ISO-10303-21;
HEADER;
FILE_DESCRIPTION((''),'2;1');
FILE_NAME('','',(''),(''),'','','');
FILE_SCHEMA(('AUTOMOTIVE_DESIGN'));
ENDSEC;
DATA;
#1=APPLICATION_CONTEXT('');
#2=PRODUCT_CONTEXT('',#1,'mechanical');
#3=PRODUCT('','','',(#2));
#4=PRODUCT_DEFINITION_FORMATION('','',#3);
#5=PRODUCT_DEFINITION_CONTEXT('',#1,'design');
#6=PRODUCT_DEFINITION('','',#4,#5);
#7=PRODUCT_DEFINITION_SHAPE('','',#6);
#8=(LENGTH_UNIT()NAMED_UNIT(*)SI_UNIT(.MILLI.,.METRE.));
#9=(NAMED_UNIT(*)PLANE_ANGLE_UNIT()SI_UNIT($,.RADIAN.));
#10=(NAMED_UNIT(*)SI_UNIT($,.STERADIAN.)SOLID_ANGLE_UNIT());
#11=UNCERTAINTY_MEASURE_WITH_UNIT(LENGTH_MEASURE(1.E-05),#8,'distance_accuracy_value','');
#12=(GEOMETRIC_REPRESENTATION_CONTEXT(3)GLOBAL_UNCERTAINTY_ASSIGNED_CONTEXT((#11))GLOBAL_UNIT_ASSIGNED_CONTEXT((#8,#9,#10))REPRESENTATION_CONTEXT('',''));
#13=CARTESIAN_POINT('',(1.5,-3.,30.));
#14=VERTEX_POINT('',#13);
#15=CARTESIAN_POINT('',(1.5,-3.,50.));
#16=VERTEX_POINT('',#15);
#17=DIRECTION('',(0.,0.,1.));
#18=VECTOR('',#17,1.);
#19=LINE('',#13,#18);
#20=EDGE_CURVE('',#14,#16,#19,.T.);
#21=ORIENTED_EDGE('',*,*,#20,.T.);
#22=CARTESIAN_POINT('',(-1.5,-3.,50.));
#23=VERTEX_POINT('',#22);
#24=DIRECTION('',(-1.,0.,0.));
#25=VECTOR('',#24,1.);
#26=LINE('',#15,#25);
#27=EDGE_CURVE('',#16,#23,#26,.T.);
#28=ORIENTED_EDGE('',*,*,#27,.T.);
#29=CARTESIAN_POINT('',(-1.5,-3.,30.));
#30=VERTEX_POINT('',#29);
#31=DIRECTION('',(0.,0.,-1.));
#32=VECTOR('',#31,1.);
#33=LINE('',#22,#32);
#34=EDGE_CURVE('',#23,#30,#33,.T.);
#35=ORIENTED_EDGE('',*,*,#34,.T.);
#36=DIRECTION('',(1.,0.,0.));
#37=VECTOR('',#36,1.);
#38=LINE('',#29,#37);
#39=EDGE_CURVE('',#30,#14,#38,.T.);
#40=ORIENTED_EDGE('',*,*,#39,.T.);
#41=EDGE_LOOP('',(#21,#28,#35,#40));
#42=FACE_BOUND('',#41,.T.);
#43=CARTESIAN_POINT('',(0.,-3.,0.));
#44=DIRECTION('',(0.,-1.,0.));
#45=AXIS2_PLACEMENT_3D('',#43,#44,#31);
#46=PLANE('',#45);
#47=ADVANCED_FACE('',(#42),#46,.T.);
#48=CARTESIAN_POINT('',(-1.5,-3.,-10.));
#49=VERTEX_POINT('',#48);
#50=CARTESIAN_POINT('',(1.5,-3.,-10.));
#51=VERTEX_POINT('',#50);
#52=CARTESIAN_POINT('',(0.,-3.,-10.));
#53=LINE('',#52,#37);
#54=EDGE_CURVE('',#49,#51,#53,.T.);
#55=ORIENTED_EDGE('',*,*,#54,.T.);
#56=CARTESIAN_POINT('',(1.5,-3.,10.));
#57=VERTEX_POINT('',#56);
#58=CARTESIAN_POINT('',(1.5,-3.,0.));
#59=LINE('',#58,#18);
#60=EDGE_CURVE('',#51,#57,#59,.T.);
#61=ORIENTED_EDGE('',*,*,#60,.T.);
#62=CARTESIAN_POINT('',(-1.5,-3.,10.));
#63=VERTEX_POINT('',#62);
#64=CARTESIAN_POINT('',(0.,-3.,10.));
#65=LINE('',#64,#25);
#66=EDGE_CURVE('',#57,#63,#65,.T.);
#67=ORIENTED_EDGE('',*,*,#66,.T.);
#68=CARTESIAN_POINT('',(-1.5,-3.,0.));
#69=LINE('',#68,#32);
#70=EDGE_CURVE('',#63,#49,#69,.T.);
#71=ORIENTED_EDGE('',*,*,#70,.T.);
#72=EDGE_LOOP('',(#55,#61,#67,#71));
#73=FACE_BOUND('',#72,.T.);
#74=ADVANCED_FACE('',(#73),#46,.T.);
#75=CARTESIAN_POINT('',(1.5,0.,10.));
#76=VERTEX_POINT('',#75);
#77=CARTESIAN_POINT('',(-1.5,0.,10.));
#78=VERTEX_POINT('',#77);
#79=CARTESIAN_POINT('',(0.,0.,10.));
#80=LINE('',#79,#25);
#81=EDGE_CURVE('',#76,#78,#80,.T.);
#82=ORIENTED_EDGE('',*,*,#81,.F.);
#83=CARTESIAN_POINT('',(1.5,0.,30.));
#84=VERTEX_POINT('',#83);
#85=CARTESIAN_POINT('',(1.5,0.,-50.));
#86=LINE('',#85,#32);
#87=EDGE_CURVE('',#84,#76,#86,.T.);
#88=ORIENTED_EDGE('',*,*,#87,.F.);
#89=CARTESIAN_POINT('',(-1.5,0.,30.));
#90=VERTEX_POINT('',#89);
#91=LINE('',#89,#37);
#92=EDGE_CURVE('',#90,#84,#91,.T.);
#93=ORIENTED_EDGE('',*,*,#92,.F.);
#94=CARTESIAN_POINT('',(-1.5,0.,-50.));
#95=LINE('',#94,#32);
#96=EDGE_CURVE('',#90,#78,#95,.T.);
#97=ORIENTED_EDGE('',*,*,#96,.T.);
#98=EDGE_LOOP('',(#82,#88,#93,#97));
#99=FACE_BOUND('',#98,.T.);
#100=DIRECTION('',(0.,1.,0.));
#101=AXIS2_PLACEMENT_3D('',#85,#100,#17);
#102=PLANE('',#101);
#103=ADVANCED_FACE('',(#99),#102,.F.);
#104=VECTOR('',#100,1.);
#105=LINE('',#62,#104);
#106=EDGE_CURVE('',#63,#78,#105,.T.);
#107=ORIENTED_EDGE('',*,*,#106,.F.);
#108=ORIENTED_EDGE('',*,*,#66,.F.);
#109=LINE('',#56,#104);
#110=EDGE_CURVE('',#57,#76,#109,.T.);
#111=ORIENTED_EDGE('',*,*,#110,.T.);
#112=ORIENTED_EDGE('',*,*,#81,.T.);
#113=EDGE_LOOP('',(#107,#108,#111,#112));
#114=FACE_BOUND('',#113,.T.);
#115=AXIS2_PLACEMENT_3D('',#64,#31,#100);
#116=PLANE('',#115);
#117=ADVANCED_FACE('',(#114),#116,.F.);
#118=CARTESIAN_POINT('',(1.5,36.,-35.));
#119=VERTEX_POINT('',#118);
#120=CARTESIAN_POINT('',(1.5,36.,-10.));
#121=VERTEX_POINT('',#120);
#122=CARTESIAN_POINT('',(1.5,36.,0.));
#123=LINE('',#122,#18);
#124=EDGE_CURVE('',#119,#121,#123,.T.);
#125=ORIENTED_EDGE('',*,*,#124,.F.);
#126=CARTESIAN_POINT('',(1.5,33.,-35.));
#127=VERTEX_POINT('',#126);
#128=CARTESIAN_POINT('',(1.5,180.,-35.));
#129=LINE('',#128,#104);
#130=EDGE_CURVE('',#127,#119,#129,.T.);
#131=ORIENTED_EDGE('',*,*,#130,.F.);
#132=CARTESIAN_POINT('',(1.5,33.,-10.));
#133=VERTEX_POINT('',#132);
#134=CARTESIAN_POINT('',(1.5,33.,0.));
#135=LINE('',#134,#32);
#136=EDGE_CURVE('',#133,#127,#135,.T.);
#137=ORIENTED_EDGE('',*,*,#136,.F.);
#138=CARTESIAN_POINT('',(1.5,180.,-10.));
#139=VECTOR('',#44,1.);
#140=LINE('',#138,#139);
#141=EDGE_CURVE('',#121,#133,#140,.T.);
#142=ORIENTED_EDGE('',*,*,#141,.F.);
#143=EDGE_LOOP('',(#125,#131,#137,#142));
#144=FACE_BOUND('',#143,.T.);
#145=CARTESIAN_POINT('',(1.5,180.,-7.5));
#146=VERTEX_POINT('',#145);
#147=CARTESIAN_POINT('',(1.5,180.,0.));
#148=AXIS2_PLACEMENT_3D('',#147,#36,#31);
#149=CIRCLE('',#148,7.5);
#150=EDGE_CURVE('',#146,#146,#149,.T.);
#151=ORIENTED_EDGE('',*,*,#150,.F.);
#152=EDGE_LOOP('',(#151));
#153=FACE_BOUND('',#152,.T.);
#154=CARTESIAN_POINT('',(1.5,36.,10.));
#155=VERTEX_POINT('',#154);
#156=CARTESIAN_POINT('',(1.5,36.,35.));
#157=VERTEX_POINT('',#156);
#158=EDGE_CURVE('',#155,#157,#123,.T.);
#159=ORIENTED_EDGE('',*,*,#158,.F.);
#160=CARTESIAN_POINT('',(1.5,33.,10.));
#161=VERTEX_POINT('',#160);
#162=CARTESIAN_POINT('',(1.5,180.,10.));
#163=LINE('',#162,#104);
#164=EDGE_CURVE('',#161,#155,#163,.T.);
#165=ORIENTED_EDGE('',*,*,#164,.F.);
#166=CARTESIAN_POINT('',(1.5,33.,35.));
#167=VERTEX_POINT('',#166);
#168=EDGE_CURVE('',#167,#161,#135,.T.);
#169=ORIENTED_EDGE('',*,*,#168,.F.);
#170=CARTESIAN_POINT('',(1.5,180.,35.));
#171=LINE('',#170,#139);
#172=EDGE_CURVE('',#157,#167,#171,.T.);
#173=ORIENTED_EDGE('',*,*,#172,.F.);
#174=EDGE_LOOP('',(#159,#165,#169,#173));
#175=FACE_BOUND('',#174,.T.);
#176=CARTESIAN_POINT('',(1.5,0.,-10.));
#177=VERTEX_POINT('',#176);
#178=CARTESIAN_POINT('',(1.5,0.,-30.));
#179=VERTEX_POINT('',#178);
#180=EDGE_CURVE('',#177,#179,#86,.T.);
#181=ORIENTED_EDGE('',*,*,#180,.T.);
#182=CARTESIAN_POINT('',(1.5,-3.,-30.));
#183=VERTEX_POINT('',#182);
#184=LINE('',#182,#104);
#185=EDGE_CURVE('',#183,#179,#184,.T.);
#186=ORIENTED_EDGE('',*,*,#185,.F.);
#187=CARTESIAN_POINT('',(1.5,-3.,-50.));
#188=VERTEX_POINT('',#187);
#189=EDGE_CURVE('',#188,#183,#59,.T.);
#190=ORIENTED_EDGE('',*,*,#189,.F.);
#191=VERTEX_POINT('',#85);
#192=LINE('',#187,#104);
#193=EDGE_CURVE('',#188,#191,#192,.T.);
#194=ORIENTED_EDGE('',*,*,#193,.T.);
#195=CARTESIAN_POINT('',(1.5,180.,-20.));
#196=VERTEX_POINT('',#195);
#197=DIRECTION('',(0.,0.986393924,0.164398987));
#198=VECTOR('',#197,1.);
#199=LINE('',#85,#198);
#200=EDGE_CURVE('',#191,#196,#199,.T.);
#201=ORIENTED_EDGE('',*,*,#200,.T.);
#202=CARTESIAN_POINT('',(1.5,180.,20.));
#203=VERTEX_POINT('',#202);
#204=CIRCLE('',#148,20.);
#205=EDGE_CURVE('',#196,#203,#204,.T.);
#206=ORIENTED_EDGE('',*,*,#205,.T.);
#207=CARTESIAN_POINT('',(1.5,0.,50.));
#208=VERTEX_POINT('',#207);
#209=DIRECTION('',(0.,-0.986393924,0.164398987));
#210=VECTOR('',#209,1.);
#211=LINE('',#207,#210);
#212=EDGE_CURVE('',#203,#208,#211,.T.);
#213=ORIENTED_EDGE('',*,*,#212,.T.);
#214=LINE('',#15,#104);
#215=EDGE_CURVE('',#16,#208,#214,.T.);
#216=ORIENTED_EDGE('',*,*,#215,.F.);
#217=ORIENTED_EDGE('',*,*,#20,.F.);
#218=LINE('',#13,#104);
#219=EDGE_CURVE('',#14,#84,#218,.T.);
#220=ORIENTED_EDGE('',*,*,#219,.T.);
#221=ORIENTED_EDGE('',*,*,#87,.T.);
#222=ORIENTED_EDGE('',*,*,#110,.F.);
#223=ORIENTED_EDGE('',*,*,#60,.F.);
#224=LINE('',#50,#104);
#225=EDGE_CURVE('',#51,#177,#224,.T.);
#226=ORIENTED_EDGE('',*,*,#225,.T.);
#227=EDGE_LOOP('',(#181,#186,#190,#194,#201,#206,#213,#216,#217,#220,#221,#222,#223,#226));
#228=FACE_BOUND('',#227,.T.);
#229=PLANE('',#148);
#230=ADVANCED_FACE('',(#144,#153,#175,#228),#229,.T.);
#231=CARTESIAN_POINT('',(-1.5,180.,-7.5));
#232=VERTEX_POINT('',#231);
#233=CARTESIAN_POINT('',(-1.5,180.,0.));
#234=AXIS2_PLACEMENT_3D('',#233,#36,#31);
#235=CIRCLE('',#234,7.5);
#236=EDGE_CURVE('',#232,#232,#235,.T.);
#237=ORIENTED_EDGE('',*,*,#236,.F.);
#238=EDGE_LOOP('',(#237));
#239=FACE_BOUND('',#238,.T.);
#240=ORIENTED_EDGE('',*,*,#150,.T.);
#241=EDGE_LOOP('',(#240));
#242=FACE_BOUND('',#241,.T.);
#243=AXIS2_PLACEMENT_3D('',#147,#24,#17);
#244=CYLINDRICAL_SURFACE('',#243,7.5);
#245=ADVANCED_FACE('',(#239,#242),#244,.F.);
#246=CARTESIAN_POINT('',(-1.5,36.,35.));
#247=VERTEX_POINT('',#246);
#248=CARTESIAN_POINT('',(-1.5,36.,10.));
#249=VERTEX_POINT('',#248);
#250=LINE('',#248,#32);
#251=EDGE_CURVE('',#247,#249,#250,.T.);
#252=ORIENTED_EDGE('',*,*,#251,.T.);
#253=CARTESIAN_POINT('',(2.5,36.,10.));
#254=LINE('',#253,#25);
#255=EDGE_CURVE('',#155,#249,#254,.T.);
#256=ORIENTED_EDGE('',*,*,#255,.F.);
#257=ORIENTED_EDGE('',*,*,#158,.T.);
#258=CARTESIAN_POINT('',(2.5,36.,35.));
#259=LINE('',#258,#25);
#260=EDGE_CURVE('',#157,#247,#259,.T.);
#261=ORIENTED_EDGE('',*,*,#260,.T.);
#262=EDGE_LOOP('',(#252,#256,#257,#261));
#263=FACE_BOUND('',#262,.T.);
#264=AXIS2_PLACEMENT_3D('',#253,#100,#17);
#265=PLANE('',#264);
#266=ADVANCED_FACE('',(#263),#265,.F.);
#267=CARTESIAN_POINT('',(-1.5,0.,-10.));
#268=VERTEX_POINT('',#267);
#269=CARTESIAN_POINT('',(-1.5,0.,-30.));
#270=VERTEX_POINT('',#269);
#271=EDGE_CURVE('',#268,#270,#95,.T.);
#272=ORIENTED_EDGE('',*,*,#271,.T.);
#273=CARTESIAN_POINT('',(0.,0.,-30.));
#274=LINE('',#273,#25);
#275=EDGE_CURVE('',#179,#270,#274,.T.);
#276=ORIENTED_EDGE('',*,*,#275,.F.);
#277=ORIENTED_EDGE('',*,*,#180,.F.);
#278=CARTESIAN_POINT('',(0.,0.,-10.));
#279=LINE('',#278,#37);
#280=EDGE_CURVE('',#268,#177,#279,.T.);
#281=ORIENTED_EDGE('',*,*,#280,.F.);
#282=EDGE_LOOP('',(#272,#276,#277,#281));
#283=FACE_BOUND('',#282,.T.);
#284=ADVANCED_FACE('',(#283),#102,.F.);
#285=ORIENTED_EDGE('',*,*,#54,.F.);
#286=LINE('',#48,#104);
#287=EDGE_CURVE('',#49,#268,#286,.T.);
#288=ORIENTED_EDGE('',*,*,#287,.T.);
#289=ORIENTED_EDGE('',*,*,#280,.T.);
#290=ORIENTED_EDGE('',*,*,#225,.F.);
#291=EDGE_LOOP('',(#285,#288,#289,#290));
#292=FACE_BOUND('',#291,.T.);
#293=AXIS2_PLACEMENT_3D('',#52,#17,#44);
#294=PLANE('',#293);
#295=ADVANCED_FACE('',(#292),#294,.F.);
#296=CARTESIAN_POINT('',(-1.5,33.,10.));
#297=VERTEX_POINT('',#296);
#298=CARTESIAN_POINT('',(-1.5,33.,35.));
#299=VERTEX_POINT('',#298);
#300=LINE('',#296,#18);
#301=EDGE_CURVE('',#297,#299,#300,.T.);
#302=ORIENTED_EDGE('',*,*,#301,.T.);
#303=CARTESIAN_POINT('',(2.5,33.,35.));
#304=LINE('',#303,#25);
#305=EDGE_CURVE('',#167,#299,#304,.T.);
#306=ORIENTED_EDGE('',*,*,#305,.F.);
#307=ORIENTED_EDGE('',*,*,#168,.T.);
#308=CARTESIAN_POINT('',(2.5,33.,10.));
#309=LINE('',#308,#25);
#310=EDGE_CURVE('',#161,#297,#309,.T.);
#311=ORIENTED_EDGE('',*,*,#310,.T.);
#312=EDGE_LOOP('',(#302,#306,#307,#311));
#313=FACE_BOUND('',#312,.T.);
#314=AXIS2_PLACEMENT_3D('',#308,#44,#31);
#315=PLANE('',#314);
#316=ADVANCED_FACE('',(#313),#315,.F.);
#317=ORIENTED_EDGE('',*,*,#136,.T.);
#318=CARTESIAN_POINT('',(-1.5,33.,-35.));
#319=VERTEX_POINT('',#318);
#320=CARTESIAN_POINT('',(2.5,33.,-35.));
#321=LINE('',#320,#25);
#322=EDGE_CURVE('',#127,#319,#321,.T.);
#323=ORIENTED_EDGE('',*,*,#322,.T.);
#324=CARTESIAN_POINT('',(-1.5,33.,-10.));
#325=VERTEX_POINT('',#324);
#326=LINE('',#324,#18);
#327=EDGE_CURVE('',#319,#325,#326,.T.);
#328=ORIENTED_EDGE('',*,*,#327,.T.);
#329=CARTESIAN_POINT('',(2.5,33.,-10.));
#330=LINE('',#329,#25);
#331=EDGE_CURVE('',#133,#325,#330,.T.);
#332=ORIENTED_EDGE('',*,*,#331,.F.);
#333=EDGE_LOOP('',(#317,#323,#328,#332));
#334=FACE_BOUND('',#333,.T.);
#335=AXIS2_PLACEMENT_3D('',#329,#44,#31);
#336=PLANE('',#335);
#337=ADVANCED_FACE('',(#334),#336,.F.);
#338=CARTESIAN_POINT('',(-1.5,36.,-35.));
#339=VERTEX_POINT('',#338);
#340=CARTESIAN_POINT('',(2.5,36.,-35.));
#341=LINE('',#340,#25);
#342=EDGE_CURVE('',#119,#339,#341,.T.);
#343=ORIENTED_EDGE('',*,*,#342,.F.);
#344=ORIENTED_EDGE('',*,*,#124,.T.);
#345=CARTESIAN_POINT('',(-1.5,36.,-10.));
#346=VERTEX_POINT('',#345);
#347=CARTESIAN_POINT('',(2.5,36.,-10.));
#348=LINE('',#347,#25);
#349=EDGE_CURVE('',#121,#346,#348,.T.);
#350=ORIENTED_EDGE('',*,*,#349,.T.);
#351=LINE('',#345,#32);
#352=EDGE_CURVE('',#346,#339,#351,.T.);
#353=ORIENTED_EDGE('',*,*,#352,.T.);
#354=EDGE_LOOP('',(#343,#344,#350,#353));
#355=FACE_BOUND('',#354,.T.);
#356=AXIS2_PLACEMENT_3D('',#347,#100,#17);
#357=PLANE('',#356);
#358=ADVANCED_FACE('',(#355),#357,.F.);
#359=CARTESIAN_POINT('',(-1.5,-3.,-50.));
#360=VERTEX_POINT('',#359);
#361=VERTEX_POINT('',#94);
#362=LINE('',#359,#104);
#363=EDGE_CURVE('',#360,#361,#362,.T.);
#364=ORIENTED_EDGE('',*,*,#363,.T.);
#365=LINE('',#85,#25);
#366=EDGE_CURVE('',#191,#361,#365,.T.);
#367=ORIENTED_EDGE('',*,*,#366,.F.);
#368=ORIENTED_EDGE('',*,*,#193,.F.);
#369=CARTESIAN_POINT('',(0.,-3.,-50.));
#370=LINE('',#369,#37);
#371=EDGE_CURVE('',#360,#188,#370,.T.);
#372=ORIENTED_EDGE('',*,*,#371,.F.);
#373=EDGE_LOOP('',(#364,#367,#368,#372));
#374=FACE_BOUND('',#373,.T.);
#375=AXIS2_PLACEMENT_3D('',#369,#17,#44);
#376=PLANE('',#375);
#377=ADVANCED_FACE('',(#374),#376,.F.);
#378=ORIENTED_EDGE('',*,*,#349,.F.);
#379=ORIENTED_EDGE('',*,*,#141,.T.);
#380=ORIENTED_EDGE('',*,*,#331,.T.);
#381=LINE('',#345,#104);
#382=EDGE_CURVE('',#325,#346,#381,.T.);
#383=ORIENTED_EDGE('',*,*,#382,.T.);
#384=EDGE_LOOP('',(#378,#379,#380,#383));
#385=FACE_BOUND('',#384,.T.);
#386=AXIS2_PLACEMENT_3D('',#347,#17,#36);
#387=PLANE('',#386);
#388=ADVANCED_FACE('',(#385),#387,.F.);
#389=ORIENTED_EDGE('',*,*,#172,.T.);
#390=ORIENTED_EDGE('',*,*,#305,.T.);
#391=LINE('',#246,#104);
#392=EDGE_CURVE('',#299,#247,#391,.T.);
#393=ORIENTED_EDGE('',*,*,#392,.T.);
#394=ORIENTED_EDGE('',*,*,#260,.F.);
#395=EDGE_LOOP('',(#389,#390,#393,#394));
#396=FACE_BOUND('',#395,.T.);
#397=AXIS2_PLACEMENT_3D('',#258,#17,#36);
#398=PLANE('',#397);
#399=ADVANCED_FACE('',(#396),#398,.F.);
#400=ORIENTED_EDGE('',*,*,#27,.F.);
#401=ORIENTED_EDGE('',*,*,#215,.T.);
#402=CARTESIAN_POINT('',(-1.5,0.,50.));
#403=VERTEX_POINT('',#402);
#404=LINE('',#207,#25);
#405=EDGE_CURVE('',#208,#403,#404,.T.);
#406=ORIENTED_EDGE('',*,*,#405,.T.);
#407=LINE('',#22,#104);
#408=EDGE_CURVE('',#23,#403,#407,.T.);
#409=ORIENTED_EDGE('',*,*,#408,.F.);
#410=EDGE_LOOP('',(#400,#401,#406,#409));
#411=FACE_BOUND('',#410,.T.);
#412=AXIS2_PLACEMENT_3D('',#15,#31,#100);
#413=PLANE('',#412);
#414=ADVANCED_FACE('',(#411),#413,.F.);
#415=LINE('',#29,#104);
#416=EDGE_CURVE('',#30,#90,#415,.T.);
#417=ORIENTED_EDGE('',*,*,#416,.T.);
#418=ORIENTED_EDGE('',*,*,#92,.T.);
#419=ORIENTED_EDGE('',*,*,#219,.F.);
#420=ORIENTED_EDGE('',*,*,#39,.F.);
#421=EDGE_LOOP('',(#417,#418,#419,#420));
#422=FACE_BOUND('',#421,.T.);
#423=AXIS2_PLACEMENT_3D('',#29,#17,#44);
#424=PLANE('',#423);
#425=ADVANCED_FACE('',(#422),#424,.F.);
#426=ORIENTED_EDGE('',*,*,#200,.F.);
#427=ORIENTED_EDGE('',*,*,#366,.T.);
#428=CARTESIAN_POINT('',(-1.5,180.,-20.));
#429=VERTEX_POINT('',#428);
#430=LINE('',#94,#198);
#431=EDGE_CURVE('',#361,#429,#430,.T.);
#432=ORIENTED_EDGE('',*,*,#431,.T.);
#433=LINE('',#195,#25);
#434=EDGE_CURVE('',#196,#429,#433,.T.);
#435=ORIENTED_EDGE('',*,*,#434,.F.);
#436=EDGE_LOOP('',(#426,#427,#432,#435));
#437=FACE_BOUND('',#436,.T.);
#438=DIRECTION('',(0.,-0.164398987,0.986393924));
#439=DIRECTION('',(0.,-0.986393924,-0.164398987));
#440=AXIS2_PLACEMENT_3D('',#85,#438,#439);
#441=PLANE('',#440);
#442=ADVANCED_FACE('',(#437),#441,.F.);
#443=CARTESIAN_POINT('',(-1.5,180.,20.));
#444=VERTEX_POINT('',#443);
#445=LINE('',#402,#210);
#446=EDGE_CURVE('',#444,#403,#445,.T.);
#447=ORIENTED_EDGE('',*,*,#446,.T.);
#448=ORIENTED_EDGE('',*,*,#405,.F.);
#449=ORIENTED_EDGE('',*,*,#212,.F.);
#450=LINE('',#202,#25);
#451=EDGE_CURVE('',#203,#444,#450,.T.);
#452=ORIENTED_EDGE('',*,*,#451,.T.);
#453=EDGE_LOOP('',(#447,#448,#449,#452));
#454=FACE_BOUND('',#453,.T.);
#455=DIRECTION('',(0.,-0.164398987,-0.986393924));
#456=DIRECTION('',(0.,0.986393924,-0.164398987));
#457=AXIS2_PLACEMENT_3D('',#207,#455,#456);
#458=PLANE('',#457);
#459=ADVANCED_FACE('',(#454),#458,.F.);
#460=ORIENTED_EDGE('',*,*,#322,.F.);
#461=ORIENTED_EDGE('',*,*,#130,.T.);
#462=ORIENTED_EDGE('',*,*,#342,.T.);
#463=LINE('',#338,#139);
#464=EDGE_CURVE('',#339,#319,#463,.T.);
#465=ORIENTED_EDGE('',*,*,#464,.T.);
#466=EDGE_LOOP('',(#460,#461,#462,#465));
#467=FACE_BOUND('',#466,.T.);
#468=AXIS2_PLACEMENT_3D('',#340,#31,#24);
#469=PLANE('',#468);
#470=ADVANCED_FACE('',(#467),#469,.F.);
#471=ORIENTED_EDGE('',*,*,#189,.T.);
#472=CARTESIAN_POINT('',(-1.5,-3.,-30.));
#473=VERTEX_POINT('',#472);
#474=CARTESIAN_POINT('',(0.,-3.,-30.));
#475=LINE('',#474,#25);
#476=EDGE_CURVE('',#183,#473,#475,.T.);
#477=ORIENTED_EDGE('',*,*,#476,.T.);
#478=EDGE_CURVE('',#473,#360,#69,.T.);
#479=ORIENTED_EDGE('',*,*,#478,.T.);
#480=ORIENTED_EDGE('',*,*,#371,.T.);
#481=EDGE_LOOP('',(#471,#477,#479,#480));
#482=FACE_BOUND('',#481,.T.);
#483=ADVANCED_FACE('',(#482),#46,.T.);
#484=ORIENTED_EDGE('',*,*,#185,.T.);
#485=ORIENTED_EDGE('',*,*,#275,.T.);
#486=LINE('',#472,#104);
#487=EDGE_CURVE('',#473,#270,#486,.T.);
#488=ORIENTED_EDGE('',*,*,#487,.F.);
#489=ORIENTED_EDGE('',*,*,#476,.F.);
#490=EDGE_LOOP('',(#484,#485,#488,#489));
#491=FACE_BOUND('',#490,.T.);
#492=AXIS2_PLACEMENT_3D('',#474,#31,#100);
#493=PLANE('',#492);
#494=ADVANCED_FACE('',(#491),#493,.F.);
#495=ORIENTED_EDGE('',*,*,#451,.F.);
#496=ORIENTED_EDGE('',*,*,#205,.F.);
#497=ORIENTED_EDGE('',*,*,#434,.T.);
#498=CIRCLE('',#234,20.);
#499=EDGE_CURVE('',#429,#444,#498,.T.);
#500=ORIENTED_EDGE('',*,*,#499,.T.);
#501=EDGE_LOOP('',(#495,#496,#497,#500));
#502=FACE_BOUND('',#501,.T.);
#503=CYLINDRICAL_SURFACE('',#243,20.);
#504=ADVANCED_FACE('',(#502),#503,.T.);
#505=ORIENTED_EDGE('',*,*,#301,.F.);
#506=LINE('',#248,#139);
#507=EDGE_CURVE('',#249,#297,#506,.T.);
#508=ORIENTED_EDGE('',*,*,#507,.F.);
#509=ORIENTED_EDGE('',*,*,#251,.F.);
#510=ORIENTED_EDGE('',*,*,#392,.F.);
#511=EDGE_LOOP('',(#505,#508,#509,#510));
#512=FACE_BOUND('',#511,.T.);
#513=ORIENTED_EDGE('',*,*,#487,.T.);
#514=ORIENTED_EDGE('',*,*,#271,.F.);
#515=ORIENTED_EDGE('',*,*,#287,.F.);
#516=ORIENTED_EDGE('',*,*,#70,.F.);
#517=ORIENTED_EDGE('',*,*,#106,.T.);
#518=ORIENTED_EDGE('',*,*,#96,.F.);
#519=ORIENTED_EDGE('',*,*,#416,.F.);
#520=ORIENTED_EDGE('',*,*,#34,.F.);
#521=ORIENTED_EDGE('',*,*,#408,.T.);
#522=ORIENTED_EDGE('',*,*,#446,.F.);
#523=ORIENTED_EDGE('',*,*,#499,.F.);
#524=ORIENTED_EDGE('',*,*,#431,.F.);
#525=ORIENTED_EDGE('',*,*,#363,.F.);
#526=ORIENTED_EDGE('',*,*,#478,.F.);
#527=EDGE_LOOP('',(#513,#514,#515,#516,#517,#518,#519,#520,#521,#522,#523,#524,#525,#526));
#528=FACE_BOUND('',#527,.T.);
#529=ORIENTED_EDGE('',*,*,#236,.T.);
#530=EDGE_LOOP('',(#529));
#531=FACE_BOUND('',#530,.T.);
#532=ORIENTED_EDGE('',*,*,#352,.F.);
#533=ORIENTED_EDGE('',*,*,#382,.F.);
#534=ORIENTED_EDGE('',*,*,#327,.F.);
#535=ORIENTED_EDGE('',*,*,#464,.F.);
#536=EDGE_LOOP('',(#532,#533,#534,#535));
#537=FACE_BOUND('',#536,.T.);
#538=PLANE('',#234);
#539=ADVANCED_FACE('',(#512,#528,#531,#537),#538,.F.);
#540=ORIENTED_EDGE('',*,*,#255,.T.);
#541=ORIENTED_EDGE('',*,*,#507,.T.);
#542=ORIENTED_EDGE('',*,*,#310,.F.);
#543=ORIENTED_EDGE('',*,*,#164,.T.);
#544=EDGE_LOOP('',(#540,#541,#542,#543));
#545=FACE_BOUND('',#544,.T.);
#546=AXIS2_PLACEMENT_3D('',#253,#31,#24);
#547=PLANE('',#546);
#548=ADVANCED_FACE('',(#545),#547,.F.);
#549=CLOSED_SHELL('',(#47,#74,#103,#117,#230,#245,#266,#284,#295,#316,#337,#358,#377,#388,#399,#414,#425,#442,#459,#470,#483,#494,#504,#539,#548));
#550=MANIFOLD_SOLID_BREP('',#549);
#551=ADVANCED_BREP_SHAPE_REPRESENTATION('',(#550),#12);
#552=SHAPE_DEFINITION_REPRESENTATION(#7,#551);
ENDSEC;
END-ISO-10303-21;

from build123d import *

# Parameters (mm, degrees)
SKETCH2_R           = 7.5
BOSS_EXTRUDE1_DEPTH = 1.5
SKETCH3_W           = 25
SKETCH3_H           = 3
CUT_EXTRUDE1_DEPTH  = 4
SKETCH4_W           = 3
SKETCH4_H           = 20
BOSS_EXTRUDE2_DEPTH = 3


with BuildPart() as part:
    # Sketch2 → Boss-Extrude1 (new, symmetric)
    with BuildSketch(Plane(origin=(0, 0, 0), x_dir=(0, 0, -1), z_dir=(1, 0, 0))):
        with BuildLine():
            Line((50, 0), (-50, 0))
            Line((-50, 0), (-20, 180))
            ThreePointArc((-20, 180), (0, 200), (20, 180))
            Line((20, 180), (50, 0))
        make_face()
        with Locations((0, 180)):
            Circle(SKETCH2_R, mode=Mode.SUBTRACT)
    extrude(amount=BOSS_EXTRUDE1_DEPTH, both=True)

    # Sketch3 → Cut-Extrude1 (cut)
    with BuildSketch(Plane.ZY.offset(1.5)):
        with Locations((22.5, 34.5)):
            Rectangle(SKETCH3_W, SKETCH3_H)
        with Locations((-22.5, 34.5)):
            Rectangle(SKETCH3_W, SKETCH3_H)
    extrude(amount=-CUT_EXTRUDE1_DEPTH, mode=Mode.SUBTRACT)

    # Sketch4 → Boss-Extrude2 (add)
    with BuildSketch(Plane.XZ):
        Rectangle(SKETCH4_W, SKETCH4_H)
        with Locations((0, -40)):
            Rectangle(SKETCH4_W, SKETCH4_H)
        with Locations((0, 40)):
            Rectangle(SKETCH4_W, SKETCH4_H)
    extrude(amount=BOSS_EXTRUDE2_DEPTH)


solid = part.part
